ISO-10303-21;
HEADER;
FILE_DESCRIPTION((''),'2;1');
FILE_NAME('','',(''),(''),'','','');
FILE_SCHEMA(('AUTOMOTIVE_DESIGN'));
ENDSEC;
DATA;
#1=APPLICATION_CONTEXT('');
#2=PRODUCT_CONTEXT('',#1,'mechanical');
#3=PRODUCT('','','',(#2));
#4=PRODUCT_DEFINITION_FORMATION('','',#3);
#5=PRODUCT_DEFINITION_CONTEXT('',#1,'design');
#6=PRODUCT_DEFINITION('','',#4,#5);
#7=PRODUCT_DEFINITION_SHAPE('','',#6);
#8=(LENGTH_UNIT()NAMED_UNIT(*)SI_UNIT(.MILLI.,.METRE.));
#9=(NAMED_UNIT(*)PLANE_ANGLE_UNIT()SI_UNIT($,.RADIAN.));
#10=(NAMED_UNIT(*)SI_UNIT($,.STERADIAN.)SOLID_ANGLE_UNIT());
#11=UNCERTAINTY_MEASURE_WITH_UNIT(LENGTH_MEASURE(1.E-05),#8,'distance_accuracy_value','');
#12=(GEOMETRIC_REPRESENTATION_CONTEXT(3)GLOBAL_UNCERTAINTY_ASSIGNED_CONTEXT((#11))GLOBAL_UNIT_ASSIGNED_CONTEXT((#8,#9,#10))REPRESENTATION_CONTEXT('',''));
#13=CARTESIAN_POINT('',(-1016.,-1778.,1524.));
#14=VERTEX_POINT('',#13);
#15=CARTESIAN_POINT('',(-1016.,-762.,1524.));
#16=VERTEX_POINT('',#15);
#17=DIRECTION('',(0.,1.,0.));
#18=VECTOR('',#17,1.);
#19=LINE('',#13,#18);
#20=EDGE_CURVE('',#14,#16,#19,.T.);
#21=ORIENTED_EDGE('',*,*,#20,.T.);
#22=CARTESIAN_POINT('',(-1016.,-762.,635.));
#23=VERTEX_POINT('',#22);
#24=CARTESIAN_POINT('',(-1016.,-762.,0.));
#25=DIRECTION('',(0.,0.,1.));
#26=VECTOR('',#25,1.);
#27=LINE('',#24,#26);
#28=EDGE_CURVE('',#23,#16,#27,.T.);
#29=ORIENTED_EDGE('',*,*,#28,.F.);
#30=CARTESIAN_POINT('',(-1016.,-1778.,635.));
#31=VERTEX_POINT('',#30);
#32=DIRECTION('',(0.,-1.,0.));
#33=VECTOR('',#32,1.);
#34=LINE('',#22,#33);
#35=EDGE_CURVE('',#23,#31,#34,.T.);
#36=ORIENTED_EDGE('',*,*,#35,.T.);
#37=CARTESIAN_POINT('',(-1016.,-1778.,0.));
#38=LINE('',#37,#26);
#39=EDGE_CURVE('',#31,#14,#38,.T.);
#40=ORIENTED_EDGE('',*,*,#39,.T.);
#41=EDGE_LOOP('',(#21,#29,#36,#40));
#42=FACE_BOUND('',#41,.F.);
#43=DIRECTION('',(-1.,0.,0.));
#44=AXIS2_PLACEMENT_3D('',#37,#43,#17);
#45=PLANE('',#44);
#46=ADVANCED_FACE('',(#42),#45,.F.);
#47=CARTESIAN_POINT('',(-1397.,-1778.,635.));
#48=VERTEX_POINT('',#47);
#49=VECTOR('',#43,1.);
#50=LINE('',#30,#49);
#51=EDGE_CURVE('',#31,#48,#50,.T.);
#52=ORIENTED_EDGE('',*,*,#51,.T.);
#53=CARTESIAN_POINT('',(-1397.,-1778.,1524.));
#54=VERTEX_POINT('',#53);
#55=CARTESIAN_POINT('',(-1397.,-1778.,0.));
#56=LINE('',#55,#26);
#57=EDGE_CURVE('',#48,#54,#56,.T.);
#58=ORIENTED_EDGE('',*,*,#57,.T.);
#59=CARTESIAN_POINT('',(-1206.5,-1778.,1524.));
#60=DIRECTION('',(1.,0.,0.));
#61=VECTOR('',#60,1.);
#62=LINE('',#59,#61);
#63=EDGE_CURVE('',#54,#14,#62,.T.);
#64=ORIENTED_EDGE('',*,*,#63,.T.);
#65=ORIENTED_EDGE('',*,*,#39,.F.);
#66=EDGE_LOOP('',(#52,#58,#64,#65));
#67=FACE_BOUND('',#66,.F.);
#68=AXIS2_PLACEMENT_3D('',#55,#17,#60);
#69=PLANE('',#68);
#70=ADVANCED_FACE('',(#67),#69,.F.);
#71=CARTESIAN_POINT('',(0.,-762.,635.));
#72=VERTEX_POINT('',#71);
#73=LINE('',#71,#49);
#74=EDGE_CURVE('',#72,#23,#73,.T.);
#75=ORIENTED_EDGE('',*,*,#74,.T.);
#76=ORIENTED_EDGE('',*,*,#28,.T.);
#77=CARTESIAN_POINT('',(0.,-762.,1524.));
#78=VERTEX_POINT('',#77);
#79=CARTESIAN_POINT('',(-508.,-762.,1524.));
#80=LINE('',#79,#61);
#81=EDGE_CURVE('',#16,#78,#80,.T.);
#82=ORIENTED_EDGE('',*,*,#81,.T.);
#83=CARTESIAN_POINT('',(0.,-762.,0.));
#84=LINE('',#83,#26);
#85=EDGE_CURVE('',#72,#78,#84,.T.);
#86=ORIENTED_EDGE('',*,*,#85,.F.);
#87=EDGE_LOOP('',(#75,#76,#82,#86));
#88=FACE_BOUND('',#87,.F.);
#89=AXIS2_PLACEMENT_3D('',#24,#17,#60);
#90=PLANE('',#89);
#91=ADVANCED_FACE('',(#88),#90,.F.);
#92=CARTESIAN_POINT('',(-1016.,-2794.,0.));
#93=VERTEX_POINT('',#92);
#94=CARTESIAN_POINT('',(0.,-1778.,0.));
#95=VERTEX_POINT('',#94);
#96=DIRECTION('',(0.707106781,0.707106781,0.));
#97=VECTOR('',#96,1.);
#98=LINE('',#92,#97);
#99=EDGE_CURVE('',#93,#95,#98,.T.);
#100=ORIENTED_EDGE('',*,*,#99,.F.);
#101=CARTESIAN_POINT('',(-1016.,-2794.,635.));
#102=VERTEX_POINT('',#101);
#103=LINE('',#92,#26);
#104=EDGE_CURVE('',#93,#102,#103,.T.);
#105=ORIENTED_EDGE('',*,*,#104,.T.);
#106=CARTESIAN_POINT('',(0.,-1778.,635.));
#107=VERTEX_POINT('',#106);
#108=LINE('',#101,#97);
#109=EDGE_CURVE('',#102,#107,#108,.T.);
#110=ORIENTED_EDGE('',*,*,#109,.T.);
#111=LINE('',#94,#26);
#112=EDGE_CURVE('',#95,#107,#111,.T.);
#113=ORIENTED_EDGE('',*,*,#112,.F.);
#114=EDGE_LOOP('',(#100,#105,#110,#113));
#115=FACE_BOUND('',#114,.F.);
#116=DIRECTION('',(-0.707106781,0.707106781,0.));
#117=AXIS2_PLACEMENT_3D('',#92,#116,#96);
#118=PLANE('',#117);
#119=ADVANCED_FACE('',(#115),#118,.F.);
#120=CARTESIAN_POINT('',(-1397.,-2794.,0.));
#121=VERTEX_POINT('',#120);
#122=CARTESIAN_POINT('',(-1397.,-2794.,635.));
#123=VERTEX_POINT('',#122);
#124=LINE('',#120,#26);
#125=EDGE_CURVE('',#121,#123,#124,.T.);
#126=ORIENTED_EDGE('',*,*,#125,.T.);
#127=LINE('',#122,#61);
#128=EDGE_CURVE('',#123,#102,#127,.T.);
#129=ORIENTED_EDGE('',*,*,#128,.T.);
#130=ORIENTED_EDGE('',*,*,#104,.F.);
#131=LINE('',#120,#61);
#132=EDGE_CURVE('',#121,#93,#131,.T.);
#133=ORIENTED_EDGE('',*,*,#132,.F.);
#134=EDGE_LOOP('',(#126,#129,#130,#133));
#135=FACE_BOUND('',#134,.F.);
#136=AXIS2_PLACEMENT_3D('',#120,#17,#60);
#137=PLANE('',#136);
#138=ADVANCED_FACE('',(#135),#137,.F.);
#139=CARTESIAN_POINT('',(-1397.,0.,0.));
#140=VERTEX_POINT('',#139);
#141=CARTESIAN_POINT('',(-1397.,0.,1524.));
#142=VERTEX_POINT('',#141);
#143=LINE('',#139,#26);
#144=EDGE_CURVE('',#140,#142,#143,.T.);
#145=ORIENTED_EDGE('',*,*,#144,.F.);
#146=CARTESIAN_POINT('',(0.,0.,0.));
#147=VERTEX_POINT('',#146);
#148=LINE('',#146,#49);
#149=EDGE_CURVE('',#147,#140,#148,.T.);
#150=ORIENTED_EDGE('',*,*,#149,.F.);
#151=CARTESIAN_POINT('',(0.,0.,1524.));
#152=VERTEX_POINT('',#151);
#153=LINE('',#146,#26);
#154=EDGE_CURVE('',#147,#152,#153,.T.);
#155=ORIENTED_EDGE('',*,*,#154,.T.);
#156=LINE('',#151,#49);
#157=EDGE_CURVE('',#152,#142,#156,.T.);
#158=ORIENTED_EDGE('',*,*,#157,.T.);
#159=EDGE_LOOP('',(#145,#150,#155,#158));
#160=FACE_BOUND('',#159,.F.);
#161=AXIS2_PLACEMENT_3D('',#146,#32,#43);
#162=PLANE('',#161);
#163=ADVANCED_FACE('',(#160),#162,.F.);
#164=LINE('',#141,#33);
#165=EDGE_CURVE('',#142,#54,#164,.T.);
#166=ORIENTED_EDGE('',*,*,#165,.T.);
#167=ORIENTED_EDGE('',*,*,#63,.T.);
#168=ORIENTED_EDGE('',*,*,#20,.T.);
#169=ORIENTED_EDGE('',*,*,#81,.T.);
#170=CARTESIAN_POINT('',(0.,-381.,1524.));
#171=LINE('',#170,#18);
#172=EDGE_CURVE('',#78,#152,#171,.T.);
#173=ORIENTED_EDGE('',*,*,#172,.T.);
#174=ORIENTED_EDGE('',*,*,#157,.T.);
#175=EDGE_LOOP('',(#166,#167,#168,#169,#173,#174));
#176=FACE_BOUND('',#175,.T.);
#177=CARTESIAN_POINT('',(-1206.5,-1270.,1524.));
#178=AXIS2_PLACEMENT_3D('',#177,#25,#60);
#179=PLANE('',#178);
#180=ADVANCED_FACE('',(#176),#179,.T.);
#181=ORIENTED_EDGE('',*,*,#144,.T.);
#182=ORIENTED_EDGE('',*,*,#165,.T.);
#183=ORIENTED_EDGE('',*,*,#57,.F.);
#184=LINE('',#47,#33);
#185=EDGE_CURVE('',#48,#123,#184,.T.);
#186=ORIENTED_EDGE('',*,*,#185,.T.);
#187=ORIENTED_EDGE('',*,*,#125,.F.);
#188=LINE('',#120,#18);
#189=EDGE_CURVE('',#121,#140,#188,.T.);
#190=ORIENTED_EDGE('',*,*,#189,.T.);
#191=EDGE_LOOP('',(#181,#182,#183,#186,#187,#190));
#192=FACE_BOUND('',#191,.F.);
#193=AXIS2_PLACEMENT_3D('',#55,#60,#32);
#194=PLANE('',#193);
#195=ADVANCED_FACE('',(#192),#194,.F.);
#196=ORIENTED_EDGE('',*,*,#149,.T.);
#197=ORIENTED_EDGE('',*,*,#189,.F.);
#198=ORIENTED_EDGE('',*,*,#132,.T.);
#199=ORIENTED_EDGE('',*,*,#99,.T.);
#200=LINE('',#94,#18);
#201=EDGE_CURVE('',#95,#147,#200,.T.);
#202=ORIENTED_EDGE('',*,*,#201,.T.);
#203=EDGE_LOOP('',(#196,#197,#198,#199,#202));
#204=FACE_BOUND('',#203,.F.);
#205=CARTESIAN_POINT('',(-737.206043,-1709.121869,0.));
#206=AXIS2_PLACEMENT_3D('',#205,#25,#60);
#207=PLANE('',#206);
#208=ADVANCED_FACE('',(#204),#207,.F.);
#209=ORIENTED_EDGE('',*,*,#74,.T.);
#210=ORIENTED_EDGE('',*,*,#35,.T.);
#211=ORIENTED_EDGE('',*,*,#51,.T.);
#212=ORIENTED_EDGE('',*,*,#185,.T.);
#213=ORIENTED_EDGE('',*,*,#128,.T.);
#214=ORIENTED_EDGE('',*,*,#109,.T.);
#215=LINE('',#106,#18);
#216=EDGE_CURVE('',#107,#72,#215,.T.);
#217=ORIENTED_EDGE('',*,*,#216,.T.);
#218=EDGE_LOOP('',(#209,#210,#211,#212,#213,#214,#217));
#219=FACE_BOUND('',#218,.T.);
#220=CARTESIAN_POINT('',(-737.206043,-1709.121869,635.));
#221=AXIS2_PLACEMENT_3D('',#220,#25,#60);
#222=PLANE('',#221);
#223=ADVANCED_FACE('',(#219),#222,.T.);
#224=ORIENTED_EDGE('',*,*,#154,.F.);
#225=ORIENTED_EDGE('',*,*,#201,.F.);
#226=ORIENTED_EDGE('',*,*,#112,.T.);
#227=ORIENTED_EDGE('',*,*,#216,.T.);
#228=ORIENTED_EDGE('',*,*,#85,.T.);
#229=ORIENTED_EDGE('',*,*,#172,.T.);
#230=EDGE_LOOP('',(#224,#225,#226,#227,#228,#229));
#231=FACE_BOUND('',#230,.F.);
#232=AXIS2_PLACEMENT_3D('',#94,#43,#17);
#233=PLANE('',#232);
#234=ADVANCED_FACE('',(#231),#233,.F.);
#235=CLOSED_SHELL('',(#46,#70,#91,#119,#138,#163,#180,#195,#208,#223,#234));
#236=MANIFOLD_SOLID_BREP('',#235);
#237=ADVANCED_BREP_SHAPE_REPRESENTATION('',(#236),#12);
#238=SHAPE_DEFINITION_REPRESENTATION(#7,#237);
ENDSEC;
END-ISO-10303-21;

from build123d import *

# Parameters (mm, degrees)
F0_W     = 381
F0_H     = 1016
F0_H_2   = 762
F0_W_2   = 1016
F1_DEPTH = 1524
F2_DEPTH = 635


with BuildPart() as f1:
    # F0 (on Top) → F1 (new body)
    with BuildSketch(Plane.XY):
        with Locations((-1206.5, -1270)):
            Rectangle(F0_W, F0_H)
        with Locations((-1206.5, -381)):
            Rectangle(F0_W, F0_H_2)
        with Locations((-508, -381)):
            Rectangle(F0_W_2, F0_H_2)
    extrude(amount=F1_DEPTH)

    # F0 (on Top) → F2 (join)
    with BuildSketch(Plane.XY):
        Polygon((0, -1778), (0, -762), (-1016, -762), (-1016, -1778), (-1397, -1778), (-1397, -2794), (-1016, -2794), align=None)
    extrude(amount=F2_DEPTH)


solid = f1.part
